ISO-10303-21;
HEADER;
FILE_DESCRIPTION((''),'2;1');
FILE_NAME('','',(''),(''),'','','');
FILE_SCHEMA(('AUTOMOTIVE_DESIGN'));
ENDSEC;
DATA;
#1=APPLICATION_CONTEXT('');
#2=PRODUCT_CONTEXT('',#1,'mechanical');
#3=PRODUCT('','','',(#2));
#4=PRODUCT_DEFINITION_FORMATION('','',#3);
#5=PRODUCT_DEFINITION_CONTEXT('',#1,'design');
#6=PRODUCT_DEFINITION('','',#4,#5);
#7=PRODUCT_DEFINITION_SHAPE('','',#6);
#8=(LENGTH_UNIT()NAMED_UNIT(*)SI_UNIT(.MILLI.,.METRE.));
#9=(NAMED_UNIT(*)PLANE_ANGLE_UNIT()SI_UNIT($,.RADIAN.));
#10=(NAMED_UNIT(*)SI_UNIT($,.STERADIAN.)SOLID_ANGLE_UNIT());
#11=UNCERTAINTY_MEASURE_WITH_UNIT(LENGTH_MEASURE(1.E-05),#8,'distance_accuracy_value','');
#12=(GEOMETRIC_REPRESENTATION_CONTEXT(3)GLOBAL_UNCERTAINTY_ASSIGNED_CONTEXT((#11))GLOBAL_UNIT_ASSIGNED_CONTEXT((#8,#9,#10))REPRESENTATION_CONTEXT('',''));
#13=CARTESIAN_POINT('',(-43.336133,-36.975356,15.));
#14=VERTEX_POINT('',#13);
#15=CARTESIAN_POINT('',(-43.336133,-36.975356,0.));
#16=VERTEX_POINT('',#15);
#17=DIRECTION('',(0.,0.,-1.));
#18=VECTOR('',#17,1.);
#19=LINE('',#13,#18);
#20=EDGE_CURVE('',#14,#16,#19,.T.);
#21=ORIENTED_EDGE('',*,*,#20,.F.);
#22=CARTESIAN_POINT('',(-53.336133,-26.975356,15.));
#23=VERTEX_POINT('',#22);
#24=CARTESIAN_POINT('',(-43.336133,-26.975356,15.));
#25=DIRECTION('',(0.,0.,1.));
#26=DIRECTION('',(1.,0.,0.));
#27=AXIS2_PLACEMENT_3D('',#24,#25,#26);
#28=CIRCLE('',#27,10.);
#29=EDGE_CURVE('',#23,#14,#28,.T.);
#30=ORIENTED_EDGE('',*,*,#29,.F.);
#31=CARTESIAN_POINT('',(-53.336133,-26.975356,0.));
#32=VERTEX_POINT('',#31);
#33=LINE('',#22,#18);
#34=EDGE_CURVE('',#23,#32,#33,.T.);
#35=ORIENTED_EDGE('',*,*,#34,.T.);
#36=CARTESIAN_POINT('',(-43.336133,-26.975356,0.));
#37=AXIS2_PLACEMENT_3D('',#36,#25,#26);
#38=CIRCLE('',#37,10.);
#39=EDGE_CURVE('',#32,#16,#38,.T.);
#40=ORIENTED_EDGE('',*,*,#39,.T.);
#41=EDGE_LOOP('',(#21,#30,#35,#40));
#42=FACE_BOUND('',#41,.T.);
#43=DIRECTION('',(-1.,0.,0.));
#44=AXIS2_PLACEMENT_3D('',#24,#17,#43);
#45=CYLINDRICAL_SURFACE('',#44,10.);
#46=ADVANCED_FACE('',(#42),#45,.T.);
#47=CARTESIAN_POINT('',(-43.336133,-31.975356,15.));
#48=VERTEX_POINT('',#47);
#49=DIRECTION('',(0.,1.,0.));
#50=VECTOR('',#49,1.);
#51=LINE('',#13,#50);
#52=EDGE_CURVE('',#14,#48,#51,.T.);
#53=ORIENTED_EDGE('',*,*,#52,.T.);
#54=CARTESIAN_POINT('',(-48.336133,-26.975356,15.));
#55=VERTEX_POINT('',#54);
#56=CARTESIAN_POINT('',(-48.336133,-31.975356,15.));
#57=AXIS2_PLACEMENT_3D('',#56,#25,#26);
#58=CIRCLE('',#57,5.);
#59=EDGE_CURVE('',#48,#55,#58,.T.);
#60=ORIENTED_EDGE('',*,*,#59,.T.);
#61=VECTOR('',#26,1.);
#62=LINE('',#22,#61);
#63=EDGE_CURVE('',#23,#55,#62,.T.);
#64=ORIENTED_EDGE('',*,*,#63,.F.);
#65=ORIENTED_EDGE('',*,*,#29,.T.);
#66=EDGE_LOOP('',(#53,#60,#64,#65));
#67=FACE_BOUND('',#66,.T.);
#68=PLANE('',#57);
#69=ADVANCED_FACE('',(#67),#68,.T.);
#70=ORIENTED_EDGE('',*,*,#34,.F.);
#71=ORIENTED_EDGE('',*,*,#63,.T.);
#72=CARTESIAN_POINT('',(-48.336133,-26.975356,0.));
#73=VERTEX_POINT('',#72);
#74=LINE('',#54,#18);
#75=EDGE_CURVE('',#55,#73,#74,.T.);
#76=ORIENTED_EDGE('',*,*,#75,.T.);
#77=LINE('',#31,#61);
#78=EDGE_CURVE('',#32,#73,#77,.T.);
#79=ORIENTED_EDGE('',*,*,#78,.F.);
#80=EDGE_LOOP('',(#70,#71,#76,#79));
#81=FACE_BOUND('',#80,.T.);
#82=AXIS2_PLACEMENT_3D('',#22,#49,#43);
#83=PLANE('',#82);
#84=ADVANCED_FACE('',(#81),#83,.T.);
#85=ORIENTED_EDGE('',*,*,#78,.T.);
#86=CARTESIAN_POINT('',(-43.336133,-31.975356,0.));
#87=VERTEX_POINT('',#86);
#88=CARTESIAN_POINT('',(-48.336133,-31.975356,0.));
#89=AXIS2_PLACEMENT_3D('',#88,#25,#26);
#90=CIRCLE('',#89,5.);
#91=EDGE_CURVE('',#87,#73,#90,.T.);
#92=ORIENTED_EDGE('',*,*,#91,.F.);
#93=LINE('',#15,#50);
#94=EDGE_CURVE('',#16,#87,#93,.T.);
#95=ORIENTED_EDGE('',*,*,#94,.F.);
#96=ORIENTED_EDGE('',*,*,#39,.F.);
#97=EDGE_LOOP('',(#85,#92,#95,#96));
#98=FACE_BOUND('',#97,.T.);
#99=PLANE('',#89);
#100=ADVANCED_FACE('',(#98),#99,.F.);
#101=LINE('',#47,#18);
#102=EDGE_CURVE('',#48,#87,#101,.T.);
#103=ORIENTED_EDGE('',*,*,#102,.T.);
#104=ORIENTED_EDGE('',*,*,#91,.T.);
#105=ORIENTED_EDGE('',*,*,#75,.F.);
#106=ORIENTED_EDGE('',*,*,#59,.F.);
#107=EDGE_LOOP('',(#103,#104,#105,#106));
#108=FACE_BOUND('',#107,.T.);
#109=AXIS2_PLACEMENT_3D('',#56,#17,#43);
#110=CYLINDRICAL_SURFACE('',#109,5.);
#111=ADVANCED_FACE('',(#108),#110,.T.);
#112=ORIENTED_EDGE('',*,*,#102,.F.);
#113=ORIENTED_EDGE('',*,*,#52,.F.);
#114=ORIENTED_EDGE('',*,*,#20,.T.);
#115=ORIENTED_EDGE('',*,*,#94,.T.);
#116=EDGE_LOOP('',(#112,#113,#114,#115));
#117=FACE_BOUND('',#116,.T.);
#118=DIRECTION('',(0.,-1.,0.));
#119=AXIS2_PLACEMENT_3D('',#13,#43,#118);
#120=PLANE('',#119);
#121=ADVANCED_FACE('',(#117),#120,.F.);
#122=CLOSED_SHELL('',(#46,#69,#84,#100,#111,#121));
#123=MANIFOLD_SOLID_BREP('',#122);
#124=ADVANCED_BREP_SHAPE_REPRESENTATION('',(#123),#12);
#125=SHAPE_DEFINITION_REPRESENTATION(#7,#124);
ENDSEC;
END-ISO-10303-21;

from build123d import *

# Parameters (mm, degrees)
RESSALTO_EXTRUS_O1_DEPTH = 15


with BuildPart() as part:
    # Esboço1 → Ressalto-extrusão1 (new body)
    with BuildSketch(Plane.XY):
        with BuildLine():
            Line((-43.336132643, -36.975355759), (-43.336132643, -31.975355759))
            ThreePointArc((-43.336132643, -31.975355759), (-44.800598738, -28.439821853), (-48.336132643, -26.975355759))
            Line((-48.336132643, -26.975355759), (-53.336132643, -26.975355759))
            ThreePointArc((-53.336132643, -26.975355759), (-50.407200455, -34.046423571), (-43.336132643, -36.975355759))
        make_face()
    extrude(amount=RESSALTO_EXTRUS_O1_DEPTH)


solid = part.part
